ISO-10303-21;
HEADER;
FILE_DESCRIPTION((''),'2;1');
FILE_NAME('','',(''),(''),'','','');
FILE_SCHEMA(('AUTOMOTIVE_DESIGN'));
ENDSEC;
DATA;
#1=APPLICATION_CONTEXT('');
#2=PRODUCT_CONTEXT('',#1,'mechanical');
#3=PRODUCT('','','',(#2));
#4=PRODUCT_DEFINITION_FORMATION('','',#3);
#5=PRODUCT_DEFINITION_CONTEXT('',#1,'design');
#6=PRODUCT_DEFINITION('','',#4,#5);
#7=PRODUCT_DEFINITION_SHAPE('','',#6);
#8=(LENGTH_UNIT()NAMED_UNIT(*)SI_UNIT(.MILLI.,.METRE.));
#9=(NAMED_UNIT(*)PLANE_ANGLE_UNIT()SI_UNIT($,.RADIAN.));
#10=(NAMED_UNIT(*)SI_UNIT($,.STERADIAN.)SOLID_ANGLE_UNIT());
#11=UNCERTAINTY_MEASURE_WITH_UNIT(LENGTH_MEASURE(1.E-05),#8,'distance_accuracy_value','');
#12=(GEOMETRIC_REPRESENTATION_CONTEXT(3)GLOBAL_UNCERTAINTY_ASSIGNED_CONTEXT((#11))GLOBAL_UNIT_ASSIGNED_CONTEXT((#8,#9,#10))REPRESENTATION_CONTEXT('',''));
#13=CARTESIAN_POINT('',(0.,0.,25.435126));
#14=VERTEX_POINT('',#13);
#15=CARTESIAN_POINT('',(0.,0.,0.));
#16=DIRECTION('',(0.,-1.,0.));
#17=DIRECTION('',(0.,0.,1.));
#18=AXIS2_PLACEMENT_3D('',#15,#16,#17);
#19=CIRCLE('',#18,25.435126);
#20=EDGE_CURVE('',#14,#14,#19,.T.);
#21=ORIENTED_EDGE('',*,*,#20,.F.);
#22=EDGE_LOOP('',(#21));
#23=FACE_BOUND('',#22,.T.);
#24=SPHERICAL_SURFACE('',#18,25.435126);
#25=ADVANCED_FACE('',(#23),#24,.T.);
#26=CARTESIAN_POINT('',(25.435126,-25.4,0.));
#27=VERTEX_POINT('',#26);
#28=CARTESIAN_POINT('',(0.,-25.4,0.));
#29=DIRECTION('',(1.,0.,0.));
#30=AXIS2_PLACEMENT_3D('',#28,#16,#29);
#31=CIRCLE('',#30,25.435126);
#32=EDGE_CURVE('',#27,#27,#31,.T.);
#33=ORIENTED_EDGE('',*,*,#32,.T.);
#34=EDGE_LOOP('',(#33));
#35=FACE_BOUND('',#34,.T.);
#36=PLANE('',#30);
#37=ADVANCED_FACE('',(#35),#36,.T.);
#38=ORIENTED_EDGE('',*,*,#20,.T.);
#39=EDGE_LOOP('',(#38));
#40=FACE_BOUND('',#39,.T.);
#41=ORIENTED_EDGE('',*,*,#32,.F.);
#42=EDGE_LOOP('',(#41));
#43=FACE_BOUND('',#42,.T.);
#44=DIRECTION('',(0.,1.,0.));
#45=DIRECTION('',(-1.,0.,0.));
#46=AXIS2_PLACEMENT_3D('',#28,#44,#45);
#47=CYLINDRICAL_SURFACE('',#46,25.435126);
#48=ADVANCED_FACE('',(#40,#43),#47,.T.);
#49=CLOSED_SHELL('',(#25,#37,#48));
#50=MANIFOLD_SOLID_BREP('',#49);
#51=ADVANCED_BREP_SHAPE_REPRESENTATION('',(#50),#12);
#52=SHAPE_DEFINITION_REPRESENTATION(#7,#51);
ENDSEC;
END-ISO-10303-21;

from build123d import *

# Parameters (mm, degrees)
REVOLVE1_ANGLE      = 180
SKETCH2_R           = 25.435125984
BOSS_EXTRUDE1_DEPTH = 25.4


with BuildPart() as part:
    # Sketch1 → Revolve1 (revolve)
    with BuildSketch(Plane(origin=(0, 0, 0), x_dir=(1, 0, 0), z_dir=(0, 1, 0))):
        with BuildLine():
            Line((0, 25.435125984), (0, -25.435125984))
            ThreePointArc((0, -25.435125984), (25.435125984, 0), (0, 25.435125984))
        make_face()
    revolve(axis=Axis((0, 0, -25.435125984), (0, 0, 1)), revolution_arc=REVOLVE1_ANGLE)

    # Sketch2 → Boss-Extrude1 (add)
    with BuildSketch(Plane(origin=(0, 0, 0), x_dir=(-1, 0, 0), z_dir=(0, -1, 0))):
        with Locations(Location((0, 0, 0), (0, 0, 270))):
            Circle(SKETCH2_R)
    extrude(amount=BOSS_EXTRUDE1_DEPTH)


solid = part.part
